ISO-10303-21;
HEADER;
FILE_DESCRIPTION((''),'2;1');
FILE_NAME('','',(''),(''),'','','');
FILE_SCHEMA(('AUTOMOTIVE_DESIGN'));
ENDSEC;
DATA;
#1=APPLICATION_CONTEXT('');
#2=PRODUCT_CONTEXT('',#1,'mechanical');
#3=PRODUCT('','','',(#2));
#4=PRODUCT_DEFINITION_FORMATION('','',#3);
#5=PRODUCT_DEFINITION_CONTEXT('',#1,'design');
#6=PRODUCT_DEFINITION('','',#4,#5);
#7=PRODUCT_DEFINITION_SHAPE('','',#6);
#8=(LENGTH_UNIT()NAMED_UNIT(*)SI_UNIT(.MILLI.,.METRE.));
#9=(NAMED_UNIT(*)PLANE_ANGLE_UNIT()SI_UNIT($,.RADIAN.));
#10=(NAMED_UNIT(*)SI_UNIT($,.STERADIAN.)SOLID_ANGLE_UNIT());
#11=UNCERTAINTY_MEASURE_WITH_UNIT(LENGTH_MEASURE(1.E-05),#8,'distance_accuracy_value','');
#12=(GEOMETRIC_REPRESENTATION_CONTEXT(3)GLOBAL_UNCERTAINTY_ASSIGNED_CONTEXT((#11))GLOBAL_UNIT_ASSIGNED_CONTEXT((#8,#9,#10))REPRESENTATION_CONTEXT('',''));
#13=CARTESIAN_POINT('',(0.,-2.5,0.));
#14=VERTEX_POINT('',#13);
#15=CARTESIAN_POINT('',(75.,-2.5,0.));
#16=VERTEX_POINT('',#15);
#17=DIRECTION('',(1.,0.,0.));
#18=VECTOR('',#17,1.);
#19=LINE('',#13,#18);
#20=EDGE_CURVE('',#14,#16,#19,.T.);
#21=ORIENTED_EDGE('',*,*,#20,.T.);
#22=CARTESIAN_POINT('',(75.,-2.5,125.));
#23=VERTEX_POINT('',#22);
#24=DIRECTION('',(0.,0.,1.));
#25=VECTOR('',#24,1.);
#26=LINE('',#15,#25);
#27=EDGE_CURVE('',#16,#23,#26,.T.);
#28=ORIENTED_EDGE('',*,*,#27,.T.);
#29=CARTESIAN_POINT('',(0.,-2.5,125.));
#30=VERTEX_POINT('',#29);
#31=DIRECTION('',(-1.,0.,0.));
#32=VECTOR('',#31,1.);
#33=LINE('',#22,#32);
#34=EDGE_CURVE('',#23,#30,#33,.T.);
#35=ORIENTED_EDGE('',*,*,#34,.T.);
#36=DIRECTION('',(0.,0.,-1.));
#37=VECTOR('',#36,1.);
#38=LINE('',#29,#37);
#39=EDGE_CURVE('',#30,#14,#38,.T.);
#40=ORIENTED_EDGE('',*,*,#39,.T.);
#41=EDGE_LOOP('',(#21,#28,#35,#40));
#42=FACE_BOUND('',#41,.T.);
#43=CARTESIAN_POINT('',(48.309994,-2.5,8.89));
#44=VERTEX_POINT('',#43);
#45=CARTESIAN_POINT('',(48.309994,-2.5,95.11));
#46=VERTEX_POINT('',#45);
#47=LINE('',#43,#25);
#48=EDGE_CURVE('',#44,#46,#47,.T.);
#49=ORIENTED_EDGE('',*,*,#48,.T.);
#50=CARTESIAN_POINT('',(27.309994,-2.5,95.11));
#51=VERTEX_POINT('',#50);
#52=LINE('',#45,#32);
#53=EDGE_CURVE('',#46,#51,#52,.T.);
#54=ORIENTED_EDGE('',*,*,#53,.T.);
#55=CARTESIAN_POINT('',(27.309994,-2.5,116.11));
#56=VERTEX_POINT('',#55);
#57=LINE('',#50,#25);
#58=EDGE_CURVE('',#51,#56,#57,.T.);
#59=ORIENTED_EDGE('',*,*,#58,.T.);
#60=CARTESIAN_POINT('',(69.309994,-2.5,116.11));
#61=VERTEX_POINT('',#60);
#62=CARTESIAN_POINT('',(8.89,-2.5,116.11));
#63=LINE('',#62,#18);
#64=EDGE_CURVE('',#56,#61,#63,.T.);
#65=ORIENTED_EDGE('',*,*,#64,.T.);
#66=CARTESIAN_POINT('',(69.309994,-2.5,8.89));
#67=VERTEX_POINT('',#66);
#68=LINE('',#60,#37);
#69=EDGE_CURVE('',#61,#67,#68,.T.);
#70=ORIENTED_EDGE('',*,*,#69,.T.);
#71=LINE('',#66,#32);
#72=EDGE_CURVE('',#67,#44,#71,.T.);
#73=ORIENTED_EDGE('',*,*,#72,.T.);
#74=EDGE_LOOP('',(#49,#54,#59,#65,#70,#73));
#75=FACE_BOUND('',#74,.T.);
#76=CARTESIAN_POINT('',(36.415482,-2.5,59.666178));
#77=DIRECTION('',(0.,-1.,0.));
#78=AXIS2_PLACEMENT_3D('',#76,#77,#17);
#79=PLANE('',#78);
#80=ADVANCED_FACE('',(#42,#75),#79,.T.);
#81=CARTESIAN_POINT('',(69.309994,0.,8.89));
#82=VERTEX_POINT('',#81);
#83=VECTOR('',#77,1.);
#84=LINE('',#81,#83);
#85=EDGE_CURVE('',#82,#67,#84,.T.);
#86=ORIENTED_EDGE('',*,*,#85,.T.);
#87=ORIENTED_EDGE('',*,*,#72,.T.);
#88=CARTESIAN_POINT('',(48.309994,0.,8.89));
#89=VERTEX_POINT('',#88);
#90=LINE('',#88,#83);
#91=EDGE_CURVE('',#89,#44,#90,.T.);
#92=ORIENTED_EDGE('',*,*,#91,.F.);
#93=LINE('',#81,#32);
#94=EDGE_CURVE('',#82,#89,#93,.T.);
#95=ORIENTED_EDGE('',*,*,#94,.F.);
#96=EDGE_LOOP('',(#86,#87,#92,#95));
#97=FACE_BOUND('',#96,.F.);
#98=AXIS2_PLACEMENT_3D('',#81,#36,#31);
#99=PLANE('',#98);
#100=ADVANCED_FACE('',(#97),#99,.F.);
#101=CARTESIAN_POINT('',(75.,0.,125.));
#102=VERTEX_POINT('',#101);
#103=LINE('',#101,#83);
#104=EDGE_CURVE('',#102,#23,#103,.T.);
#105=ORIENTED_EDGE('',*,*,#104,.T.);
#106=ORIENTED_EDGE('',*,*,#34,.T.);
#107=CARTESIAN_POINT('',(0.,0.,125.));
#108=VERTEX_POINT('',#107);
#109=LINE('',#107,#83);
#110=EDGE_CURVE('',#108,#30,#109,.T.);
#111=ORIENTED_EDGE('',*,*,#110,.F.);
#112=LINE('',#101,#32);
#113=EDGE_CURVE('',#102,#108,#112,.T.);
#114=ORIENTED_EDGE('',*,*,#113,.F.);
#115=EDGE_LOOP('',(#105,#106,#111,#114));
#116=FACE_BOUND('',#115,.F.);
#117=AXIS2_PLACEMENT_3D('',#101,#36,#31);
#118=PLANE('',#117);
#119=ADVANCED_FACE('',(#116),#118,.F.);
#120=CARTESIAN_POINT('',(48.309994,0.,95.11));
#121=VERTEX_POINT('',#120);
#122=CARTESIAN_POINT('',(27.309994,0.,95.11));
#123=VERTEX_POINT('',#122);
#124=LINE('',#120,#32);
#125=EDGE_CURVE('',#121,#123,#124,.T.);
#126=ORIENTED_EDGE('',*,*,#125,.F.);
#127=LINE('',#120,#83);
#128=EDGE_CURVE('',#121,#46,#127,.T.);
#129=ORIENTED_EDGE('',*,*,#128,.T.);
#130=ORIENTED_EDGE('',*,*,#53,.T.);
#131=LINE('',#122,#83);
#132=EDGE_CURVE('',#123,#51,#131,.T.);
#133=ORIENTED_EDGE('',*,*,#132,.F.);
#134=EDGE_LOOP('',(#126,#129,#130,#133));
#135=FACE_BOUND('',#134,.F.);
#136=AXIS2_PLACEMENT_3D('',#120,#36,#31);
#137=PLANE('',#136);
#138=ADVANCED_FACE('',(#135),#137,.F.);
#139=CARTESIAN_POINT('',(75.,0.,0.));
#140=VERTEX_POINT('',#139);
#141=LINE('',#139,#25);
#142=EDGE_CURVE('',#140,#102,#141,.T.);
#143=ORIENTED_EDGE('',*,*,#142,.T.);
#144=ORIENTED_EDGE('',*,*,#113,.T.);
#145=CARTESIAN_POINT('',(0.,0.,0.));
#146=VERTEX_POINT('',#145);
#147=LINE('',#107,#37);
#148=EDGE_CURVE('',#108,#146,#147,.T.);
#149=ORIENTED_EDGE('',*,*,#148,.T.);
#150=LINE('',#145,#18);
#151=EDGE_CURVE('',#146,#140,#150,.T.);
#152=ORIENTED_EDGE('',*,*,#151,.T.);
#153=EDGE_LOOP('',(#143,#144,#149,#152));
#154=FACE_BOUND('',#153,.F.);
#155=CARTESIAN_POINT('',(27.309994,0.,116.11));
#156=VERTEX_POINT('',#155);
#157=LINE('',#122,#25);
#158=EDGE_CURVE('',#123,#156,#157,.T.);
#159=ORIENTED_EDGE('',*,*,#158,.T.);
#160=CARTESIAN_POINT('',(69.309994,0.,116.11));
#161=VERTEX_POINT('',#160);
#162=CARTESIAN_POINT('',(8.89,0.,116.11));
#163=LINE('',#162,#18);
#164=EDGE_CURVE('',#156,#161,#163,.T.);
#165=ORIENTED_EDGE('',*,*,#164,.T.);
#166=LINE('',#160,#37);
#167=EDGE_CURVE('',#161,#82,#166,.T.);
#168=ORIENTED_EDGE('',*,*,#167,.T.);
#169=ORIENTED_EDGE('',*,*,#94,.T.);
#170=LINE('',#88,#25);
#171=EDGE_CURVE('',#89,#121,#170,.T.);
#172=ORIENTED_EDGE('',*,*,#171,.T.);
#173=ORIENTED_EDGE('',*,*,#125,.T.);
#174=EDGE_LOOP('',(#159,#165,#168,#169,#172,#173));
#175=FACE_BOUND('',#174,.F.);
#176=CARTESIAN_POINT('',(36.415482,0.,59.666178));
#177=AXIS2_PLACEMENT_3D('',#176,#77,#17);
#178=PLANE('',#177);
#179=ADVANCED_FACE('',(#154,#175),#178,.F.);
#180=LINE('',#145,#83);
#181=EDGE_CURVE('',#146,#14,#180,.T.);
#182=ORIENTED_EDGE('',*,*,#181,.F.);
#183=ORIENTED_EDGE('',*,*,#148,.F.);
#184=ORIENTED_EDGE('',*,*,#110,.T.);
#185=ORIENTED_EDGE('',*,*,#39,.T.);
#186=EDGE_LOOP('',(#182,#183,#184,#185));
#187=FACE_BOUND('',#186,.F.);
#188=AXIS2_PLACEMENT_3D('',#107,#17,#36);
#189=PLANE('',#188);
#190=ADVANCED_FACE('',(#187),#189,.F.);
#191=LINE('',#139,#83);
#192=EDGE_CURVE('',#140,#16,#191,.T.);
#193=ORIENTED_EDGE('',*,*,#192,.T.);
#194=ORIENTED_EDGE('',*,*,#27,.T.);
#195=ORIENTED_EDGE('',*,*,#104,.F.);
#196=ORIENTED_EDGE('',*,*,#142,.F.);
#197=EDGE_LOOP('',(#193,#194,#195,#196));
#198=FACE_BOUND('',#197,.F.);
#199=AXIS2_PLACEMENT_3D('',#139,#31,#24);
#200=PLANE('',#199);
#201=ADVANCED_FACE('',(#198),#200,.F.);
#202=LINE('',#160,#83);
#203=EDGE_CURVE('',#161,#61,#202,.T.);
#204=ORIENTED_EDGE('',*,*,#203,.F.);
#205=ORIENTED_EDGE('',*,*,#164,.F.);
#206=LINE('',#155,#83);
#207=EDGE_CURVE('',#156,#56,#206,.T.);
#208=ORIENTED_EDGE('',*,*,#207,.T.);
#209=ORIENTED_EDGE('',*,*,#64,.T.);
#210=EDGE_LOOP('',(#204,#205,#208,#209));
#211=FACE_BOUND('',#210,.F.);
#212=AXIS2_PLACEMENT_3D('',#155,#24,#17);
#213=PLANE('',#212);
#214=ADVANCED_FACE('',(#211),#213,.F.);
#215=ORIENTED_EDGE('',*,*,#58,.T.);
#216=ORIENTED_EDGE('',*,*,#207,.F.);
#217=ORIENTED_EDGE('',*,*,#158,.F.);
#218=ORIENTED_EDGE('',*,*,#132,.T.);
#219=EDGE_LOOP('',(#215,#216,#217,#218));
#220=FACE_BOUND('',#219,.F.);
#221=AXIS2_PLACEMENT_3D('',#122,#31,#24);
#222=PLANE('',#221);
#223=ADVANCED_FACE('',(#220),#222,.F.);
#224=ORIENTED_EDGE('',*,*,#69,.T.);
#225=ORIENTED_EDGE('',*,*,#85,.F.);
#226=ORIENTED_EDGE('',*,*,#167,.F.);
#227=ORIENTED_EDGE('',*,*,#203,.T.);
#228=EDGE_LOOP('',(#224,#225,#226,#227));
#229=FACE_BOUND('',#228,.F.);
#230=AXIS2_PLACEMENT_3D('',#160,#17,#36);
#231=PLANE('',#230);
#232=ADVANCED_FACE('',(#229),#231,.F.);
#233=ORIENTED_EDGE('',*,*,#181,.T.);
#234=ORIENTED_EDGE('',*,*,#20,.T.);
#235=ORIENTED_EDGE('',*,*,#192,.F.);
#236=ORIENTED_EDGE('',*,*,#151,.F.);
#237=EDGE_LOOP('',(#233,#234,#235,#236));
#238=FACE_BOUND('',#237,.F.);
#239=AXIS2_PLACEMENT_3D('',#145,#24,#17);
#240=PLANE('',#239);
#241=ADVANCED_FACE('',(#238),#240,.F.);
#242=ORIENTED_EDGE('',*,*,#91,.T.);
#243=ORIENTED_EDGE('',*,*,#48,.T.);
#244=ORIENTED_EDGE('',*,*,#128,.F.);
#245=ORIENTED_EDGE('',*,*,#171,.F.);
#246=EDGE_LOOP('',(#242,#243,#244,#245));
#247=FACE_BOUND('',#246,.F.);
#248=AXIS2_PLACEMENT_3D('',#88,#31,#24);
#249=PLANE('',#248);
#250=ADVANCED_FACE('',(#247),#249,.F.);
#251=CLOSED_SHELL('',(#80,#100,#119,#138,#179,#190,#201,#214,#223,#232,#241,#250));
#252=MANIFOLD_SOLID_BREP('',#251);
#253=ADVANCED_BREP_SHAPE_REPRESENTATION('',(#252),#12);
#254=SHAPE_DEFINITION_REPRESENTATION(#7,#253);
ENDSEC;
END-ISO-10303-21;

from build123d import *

# Parameters (mm, degrees)
F0_W     = 21
F0_H     = 3.81
F1_DEPTH = 2.5


with BuildPart() as f1:
    # F0 (on Front) → F1 (new body)
    with BuildSketch(Plane.XZ):
        Polygon((0, 125), (0, 0), (75, 0), (75, 125), (71.19, 125), (71.19, 121.19), (71.19, 3.81), (3.81, 3.81), (3.81, 121.19), (44.505585, 121.19), (50.19, 121.19), (50.19, 125), (44.505585, 125), align=None)
        with Locations((60.69, 123.095)):
            Rectangle(F0_W, F0_H)
        Polygon((71.19, 3.81), (71.19, 121.19), (50.19, 121.19), (44.505585, 121.19), (3.81, 121.19), (3.81, 3.81), align=None)
        Polygon((40.05, 8.89), (8.89, 8.89), (8.89, 29.89), (19.05, 29.89), (19.05, 68.823177), (8.89, 68.823177), (8.89, 116.11), (27.309994, 116.11), (69.309994, 116.11), (69.309994, 8.89), (48.309994, 8.89), (48.309994, 95.11), (27.309994, 95.11), (27.309994, 89.823177), (40.05, 89.823177), align=None, mode=Mode.SUBTRACT)
        Polygon((8.89, 29.89), (8.89, 8.89), (40.05, 8.89), (40.05, 89.823177), (27.309994, 89.823177), (27.309994, 95.11), (27.309994, 116.11), (8.89, 116.11), (8.89, 68.823177), (19.05, 68.823177), (19.05, 29.89), align=None)
    extrude(amount=F1_DEPTH)


solid = f1.part
